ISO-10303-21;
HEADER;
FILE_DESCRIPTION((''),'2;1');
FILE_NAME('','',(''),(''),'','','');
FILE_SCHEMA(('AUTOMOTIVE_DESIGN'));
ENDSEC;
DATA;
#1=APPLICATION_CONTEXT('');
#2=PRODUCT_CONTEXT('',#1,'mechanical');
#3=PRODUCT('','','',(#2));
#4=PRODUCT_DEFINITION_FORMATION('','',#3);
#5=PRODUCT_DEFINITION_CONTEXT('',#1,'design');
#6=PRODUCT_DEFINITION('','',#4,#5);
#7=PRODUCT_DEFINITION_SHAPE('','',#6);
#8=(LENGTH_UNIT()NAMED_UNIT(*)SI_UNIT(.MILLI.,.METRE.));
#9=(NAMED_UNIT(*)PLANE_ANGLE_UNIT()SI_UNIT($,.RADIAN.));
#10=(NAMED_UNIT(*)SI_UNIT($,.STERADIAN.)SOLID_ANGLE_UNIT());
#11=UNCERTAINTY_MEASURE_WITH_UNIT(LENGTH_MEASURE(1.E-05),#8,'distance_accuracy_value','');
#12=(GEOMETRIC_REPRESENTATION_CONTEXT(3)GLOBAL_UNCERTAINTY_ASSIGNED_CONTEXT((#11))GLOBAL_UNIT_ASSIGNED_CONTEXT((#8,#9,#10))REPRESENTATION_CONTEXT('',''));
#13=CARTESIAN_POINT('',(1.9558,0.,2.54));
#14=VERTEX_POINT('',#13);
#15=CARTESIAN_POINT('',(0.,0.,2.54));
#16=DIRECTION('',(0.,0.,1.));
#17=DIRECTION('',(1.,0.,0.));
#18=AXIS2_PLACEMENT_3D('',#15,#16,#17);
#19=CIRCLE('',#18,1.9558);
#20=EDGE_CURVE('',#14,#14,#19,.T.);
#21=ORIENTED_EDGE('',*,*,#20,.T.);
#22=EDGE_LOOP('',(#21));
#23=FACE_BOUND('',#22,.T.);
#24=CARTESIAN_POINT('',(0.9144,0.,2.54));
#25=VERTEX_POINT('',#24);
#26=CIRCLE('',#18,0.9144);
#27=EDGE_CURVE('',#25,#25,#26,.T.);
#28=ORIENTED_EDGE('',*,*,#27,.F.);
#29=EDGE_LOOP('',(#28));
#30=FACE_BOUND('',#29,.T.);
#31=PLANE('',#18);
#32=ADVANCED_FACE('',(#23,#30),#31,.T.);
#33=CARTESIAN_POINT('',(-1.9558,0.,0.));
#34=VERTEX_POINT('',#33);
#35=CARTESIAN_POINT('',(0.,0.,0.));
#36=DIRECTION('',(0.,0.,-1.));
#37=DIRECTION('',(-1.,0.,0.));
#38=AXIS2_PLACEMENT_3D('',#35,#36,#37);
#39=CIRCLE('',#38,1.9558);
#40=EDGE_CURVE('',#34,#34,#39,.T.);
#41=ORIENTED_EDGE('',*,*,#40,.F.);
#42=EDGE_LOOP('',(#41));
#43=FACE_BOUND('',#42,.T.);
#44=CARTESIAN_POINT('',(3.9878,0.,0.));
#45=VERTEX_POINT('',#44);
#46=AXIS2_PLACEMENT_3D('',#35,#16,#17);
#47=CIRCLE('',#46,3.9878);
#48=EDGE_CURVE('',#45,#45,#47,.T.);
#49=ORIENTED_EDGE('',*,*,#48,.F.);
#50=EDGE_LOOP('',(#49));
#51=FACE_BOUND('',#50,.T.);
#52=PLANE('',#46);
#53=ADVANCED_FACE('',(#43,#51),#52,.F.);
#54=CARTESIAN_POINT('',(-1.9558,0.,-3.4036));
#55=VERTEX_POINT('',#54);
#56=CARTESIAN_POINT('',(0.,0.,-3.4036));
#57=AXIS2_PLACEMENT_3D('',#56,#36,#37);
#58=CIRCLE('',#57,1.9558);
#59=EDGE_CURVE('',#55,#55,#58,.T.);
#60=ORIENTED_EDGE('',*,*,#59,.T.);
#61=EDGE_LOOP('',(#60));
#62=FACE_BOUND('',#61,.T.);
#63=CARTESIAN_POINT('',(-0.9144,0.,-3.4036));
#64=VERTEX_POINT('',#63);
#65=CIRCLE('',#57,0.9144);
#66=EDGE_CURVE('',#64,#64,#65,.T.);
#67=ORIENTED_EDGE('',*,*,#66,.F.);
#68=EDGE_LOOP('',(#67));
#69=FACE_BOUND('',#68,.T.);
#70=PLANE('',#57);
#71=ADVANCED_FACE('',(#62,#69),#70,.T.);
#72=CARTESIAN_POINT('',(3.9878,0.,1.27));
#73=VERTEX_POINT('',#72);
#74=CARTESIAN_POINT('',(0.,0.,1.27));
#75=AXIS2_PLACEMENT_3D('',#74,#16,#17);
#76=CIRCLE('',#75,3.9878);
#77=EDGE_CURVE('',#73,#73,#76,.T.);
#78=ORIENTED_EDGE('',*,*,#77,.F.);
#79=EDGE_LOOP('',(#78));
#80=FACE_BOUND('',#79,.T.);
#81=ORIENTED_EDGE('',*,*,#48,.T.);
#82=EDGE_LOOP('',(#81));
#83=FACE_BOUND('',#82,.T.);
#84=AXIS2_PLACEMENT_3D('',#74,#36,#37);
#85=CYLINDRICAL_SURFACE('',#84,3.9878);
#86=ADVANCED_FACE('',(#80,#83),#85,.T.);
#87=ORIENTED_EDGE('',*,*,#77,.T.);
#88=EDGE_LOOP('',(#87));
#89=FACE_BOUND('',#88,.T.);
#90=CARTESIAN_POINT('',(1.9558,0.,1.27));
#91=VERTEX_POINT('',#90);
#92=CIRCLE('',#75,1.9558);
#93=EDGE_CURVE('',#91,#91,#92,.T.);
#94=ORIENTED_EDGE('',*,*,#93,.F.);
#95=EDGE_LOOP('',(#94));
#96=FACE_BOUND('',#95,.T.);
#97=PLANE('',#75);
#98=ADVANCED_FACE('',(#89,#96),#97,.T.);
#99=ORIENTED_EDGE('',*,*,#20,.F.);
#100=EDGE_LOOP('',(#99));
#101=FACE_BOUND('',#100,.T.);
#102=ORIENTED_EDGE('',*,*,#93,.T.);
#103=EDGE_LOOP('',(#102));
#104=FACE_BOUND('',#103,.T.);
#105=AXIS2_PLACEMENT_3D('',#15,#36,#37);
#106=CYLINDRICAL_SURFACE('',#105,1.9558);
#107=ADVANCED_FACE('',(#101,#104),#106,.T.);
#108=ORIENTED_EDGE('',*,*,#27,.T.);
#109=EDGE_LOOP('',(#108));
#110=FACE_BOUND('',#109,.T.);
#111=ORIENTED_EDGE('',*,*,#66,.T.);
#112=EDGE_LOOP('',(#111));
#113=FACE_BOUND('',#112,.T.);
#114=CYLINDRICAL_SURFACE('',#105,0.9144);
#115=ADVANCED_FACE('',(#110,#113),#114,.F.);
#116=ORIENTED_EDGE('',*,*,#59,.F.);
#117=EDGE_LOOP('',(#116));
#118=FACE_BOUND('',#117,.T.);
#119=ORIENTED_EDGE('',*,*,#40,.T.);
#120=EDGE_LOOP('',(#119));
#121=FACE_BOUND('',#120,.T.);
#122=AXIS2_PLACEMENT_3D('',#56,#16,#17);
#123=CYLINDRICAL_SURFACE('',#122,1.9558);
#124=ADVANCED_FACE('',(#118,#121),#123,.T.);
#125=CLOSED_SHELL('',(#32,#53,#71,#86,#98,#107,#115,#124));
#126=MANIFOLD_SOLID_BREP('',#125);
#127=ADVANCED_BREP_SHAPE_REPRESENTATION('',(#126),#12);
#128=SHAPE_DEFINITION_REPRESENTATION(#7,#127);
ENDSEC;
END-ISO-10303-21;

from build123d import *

# Parameters (mm, degrees)
SKETCH1_R           = 3.9878
BOSS_EXTRUDE1_DEPTH = 1.27
SKETCH2_R           = 1.9558
SKETCH2_R_2         = 0.9144
BOSS_EXTRUDE2_DEPTH = 1.27
BOSS_EXTRUDE3_START = 3.4036
SKETCH3_R           = 1.9558
BOSS_EXTRUDE3_DEPTH = 3.4036
SKETCH4_R           = 0.9144
CUT_EXTRUDE1_DEPTH  = 9.193380172


with BuildPart() as part:
    # Sketch1 → Boss-Extrude1 (new body)
    with BuildSketch(Plane.XY):
        Circle(SKETCH1_R)
    extrude(amount=BOSS_EXTRUDE1_DEPTH)

    # Sketch2 → Boss-Extrude2 (add)
    with BuildSketch(Plane.XY.offset(1.27)):
        Circle(SKETCH2_R)
        Circle(SKETCH2_R_2, mode=Mode.SUBTRACT)
    extrude(amount=BOSS_EXTRUDE2_DEPTH)

    # Sketch3 → Boss-Extrude3 (add)
    with BuildSketch(Plane(origin=(0, 0, 0), x_dir=(-1, 0, 0), z_dir=(0, 0, -1)).offset(BOSS_EXTRUDE3_START)):
        with Locations(Location((0, 0, 0), (0, 0, 180))):
            Circle(SKETCH3_R)
    extrude(amount=-BOSS_EXTRUDE3_DEPTH)

    # Sketch4 → Cut-Extrude1 (cut, through all)
    with BuildSketch(Plane(origin=(0, 0, -3.4036), x_dir=(-1, 0, 0), z_dir=(0, 0, -1))):
        Circle(SKETCH4_R)
    extrude(amount=-CUT_EXTRUDE1_DEPTH, mode=Mode.SUBTRACT)


solid = part.part
